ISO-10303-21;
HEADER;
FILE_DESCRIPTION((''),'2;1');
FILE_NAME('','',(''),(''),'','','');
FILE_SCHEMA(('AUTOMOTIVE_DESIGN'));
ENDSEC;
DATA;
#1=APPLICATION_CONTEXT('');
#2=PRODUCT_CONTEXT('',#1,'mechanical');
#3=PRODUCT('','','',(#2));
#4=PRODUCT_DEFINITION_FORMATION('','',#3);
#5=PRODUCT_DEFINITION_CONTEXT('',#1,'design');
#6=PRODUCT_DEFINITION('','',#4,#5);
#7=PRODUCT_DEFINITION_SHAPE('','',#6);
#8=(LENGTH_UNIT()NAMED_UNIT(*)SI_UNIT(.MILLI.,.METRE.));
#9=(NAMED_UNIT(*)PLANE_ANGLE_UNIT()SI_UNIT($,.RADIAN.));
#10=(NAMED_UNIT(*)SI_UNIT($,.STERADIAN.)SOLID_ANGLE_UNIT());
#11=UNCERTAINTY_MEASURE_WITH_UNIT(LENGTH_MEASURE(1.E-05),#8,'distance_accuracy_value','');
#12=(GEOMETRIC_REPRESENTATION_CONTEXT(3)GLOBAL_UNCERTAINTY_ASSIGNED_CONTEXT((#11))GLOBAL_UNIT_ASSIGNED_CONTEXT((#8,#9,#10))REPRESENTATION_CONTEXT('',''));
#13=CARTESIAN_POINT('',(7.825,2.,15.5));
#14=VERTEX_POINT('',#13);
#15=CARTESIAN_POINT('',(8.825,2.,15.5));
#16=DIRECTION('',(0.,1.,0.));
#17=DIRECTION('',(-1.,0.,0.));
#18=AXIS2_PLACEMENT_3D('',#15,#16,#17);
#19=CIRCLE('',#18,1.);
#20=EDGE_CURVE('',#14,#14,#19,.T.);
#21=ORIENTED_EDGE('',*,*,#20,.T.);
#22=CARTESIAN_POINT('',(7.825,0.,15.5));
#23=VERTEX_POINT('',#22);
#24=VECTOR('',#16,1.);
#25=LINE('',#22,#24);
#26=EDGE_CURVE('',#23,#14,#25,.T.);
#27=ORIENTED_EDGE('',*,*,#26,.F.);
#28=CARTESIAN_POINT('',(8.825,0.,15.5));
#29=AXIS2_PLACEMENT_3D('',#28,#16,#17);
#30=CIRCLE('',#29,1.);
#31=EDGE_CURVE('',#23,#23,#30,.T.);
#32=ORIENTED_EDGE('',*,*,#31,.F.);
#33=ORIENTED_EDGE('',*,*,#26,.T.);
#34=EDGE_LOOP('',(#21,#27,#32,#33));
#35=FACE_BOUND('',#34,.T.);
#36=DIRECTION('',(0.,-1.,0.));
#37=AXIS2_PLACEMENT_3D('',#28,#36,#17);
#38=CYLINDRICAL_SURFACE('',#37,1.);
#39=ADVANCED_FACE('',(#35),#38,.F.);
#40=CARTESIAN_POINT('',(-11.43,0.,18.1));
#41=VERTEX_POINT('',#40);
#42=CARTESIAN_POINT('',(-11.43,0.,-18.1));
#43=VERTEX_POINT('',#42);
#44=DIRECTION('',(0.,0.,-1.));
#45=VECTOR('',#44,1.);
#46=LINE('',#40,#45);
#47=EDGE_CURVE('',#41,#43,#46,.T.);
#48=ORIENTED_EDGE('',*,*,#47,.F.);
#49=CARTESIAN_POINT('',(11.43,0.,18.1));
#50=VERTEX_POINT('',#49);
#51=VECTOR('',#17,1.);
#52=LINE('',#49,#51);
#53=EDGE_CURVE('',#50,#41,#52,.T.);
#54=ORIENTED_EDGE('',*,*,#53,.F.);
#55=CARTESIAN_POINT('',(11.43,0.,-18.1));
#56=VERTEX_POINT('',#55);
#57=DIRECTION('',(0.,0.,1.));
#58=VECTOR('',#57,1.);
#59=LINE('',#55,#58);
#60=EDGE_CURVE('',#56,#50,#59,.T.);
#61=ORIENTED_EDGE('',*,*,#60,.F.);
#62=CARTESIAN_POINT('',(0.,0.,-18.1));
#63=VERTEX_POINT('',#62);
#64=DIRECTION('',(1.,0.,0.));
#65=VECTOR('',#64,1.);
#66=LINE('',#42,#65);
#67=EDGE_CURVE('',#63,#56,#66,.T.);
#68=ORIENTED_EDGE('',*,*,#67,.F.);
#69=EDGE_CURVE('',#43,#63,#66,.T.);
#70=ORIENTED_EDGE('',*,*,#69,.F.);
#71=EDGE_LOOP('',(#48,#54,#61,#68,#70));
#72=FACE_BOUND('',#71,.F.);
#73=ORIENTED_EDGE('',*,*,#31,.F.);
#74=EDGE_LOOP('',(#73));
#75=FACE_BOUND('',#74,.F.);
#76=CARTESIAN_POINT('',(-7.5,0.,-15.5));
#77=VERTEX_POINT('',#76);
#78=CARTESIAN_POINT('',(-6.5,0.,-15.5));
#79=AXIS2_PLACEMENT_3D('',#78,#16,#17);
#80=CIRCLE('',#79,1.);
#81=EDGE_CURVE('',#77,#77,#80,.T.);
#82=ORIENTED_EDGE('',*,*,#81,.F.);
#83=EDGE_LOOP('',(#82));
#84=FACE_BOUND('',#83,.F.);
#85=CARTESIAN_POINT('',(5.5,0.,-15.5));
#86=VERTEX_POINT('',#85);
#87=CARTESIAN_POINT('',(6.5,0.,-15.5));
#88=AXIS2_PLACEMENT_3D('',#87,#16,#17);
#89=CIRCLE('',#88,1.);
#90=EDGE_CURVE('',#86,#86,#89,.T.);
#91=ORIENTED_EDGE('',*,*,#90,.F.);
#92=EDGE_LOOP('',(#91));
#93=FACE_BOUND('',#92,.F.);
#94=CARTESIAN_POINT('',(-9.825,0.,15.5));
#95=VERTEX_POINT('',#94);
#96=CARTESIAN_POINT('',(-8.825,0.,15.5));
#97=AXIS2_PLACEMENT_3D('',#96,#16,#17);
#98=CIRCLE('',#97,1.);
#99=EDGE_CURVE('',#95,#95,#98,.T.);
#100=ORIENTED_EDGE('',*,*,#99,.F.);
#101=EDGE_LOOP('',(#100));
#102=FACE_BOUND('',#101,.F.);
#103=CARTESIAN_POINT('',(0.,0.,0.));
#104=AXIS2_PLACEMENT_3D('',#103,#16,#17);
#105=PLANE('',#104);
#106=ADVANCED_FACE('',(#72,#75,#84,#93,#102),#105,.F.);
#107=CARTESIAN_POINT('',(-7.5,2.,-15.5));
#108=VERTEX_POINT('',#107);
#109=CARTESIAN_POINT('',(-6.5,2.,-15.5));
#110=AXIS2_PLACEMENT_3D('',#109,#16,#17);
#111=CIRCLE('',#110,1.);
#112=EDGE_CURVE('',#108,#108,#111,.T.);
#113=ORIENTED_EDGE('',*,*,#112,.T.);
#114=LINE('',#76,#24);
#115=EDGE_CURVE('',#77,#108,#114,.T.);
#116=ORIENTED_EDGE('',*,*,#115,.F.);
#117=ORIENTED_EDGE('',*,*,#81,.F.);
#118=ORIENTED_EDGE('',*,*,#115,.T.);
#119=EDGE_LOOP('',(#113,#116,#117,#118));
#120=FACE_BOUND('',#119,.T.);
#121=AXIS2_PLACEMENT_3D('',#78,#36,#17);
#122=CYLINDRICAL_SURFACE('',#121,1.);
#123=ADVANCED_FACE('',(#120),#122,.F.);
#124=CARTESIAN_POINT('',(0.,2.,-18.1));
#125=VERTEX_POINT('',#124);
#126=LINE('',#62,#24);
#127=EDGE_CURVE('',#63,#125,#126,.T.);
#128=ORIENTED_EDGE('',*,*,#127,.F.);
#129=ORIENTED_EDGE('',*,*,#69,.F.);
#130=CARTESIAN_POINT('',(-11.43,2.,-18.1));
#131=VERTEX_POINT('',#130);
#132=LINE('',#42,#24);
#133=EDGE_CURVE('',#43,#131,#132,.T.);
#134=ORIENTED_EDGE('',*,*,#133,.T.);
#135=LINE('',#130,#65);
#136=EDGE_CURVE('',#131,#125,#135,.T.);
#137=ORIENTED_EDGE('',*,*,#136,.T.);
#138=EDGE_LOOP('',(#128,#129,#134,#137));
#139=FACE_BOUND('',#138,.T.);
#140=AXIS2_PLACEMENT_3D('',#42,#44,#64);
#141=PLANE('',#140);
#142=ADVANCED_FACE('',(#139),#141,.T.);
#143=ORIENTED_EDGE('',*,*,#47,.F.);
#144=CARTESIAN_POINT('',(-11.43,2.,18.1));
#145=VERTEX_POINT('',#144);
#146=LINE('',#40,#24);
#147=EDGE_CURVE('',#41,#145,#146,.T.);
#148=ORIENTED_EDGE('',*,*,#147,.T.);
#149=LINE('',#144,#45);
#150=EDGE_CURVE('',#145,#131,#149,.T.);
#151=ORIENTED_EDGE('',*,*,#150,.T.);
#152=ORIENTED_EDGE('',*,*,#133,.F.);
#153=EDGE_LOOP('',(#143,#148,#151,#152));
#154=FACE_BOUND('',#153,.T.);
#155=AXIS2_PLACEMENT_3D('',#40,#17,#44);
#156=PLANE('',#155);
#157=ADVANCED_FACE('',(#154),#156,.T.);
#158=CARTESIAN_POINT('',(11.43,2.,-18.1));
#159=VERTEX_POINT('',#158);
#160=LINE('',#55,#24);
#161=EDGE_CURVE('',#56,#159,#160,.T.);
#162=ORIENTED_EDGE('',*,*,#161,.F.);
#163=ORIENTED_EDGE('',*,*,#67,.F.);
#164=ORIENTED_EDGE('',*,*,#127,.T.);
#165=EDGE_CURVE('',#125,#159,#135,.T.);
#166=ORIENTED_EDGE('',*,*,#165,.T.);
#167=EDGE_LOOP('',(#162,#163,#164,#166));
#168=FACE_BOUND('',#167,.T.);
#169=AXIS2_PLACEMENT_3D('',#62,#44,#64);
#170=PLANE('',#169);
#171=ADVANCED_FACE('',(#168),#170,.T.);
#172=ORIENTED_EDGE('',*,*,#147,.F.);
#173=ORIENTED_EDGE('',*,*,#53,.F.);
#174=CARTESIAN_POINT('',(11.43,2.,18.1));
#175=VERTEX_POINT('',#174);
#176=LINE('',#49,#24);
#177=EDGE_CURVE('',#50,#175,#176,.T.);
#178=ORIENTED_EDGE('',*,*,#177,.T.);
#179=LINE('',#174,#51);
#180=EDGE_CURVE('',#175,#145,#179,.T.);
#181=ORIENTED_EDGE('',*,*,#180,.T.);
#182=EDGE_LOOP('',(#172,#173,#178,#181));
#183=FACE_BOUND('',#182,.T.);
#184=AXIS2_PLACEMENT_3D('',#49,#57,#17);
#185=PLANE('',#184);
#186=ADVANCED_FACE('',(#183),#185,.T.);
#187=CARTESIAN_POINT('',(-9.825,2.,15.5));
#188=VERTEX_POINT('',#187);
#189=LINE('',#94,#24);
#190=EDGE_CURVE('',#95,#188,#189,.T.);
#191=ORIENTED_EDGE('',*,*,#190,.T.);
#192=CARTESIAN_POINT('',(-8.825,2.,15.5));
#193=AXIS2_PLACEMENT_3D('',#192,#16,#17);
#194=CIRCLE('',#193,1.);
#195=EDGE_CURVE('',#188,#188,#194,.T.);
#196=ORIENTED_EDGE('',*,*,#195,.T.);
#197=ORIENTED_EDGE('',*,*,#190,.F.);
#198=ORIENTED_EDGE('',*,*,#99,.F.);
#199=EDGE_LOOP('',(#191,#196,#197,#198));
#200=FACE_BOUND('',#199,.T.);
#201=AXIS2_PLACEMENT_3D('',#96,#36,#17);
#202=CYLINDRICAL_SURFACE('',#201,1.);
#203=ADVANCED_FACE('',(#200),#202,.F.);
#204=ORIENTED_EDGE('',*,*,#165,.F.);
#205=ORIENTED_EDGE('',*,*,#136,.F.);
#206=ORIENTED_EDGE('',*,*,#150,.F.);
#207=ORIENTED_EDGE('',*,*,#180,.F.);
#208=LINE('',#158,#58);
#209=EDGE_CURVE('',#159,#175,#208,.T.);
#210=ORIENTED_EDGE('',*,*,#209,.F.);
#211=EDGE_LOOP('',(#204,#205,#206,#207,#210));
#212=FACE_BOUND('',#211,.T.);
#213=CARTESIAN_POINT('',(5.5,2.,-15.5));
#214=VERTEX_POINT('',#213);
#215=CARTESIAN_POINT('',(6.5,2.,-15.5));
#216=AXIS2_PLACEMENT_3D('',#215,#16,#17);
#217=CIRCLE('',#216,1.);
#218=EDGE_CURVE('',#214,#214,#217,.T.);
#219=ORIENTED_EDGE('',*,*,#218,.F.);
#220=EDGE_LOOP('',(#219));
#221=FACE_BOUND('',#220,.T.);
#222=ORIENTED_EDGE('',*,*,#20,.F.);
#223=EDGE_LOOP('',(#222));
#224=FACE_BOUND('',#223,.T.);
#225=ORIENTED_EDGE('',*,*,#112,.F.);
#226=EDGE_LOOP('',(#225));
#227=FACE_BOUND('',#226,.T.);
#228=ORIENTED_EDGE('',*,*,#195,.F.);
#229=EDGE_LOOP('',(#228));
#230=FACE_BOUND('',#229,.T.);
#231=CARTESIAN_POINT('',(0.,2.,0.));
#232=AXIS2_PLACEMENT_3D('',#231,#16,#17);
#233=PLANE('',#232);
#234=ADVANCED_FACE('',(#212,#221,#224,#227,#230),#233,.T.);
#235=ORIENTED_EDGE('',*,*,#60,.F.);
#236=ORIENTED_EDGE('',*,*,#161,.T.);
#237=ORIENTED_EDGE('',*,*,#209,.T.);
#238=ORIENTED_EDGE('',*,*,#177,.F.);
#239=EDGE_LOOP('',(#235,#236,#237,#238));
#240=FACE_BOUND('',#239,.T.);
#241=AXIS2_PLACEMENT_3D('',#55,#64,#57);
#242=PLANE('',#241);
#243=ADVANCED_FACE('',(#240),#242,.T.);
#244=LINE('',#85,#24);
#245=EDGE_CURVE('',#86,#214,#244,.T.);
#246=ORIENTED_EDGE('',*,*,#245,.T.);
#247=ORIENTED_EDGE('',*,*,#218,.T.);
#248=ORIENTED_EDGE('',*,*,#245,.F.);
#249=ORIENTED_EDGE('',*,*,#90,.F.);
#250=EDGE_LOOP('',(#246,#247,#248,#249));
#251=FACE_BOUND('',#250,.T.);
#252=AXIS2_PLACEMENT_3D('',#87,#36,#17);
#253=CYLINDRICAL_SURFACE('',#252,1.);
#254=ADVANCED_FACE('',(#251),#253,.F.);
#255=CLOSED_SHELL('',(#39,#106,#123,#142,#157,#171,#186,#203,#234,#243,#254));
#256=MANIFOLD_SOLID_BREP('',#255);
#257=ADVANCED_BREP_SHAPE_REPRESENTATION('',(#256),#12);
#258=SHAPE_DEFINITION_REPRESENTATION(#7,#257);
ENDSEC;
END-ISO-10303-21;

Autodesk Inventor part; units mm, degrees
ref_plane "YZ Plane" through (0, 0, 0) normal (1, 0, 0) x (0, 1, 0)
ref_plane "XZ Plane" through (0, 0, 0) normal (0, 1, 0) x (-1, 0, 0)
ref_plane "XY Plane" through (0, 0, 0) normal (0, 0, 1) x (1, 0, 0)
sketch "Sketch1" plane through (0, 0, 0) normal (0, 1, 0) x (-1, 0, 0)
  line L0 (-11.43, 18.1) -> (11.43, 18.1)
  line L1 (11.43, 18.1) -> (11.43, -18.1)
  line L2 (11.43, -18.1) -> (-11.43, -18.1)
  line L3 (-11.43, -18.1) -> (-11.43, 18.1)
  line L4 (-11.43, 18.1) -> (11.43, -18.1) construction
  line L5 (11.43, 18.1) -> (-11.43, -18.1) construction
  line L6 (-8.825, 15.5) -> (8.825, 15.5) construction
  line L7 (8.825, 15.5) -> (8.825, -15.5) construction
  line L8 (8.825, -15.5) -> (-8.825, -15.5) construction
  line L9 (-8.825, -15.5) -> (-8.825, 15.5) construction
  line L10 (-8.825, 15.5) -> (8.825, -15.5) construction
  line L11 (8.825, 15.5) -> (-8.825, -15.5) construction
  circle A0 centre (8.825, 15.5) radius 1
  circle A1 centre (-8.825, 15.5) radius 1
  circle A2 centre (6.5, -15.5) radius 1
  line L12 (0, 0) -> (0, -18.1)
  circle A3 centre (-6.5, -15.5) radius 1
  dimension "d0" = 22.86
  dimension "d1" = 36.2
  dimension "d2" = 17.65
  dimension "d3" = 31
  dimension "d4" = 6.5
  dimension "d5" = 2
  dimension "d6" = 2
  dimension "d7" = 2
extrude "Extrusion1" add sketch "Sketch1" along normal blind 2
sketch "Sketch2" plane through (0, 2, 0) normal (0, 1, 0) x (1, 0, 0)
  line L0 (-11.43, 18.1) -> (11.3685, 18.1) construction
  line L1 (11.3685, 18.1) -> (11.3685, -18.1704) construction
  line L2 (11.3685, -18.1704) -> (-11.43, -18.1704) construction
  line L3 (-11.43, -18.1704) -> (-11.43, 18.1) construction
  point P0 (0, 0)
decal "Decal1"
properties part number "powerboost"
